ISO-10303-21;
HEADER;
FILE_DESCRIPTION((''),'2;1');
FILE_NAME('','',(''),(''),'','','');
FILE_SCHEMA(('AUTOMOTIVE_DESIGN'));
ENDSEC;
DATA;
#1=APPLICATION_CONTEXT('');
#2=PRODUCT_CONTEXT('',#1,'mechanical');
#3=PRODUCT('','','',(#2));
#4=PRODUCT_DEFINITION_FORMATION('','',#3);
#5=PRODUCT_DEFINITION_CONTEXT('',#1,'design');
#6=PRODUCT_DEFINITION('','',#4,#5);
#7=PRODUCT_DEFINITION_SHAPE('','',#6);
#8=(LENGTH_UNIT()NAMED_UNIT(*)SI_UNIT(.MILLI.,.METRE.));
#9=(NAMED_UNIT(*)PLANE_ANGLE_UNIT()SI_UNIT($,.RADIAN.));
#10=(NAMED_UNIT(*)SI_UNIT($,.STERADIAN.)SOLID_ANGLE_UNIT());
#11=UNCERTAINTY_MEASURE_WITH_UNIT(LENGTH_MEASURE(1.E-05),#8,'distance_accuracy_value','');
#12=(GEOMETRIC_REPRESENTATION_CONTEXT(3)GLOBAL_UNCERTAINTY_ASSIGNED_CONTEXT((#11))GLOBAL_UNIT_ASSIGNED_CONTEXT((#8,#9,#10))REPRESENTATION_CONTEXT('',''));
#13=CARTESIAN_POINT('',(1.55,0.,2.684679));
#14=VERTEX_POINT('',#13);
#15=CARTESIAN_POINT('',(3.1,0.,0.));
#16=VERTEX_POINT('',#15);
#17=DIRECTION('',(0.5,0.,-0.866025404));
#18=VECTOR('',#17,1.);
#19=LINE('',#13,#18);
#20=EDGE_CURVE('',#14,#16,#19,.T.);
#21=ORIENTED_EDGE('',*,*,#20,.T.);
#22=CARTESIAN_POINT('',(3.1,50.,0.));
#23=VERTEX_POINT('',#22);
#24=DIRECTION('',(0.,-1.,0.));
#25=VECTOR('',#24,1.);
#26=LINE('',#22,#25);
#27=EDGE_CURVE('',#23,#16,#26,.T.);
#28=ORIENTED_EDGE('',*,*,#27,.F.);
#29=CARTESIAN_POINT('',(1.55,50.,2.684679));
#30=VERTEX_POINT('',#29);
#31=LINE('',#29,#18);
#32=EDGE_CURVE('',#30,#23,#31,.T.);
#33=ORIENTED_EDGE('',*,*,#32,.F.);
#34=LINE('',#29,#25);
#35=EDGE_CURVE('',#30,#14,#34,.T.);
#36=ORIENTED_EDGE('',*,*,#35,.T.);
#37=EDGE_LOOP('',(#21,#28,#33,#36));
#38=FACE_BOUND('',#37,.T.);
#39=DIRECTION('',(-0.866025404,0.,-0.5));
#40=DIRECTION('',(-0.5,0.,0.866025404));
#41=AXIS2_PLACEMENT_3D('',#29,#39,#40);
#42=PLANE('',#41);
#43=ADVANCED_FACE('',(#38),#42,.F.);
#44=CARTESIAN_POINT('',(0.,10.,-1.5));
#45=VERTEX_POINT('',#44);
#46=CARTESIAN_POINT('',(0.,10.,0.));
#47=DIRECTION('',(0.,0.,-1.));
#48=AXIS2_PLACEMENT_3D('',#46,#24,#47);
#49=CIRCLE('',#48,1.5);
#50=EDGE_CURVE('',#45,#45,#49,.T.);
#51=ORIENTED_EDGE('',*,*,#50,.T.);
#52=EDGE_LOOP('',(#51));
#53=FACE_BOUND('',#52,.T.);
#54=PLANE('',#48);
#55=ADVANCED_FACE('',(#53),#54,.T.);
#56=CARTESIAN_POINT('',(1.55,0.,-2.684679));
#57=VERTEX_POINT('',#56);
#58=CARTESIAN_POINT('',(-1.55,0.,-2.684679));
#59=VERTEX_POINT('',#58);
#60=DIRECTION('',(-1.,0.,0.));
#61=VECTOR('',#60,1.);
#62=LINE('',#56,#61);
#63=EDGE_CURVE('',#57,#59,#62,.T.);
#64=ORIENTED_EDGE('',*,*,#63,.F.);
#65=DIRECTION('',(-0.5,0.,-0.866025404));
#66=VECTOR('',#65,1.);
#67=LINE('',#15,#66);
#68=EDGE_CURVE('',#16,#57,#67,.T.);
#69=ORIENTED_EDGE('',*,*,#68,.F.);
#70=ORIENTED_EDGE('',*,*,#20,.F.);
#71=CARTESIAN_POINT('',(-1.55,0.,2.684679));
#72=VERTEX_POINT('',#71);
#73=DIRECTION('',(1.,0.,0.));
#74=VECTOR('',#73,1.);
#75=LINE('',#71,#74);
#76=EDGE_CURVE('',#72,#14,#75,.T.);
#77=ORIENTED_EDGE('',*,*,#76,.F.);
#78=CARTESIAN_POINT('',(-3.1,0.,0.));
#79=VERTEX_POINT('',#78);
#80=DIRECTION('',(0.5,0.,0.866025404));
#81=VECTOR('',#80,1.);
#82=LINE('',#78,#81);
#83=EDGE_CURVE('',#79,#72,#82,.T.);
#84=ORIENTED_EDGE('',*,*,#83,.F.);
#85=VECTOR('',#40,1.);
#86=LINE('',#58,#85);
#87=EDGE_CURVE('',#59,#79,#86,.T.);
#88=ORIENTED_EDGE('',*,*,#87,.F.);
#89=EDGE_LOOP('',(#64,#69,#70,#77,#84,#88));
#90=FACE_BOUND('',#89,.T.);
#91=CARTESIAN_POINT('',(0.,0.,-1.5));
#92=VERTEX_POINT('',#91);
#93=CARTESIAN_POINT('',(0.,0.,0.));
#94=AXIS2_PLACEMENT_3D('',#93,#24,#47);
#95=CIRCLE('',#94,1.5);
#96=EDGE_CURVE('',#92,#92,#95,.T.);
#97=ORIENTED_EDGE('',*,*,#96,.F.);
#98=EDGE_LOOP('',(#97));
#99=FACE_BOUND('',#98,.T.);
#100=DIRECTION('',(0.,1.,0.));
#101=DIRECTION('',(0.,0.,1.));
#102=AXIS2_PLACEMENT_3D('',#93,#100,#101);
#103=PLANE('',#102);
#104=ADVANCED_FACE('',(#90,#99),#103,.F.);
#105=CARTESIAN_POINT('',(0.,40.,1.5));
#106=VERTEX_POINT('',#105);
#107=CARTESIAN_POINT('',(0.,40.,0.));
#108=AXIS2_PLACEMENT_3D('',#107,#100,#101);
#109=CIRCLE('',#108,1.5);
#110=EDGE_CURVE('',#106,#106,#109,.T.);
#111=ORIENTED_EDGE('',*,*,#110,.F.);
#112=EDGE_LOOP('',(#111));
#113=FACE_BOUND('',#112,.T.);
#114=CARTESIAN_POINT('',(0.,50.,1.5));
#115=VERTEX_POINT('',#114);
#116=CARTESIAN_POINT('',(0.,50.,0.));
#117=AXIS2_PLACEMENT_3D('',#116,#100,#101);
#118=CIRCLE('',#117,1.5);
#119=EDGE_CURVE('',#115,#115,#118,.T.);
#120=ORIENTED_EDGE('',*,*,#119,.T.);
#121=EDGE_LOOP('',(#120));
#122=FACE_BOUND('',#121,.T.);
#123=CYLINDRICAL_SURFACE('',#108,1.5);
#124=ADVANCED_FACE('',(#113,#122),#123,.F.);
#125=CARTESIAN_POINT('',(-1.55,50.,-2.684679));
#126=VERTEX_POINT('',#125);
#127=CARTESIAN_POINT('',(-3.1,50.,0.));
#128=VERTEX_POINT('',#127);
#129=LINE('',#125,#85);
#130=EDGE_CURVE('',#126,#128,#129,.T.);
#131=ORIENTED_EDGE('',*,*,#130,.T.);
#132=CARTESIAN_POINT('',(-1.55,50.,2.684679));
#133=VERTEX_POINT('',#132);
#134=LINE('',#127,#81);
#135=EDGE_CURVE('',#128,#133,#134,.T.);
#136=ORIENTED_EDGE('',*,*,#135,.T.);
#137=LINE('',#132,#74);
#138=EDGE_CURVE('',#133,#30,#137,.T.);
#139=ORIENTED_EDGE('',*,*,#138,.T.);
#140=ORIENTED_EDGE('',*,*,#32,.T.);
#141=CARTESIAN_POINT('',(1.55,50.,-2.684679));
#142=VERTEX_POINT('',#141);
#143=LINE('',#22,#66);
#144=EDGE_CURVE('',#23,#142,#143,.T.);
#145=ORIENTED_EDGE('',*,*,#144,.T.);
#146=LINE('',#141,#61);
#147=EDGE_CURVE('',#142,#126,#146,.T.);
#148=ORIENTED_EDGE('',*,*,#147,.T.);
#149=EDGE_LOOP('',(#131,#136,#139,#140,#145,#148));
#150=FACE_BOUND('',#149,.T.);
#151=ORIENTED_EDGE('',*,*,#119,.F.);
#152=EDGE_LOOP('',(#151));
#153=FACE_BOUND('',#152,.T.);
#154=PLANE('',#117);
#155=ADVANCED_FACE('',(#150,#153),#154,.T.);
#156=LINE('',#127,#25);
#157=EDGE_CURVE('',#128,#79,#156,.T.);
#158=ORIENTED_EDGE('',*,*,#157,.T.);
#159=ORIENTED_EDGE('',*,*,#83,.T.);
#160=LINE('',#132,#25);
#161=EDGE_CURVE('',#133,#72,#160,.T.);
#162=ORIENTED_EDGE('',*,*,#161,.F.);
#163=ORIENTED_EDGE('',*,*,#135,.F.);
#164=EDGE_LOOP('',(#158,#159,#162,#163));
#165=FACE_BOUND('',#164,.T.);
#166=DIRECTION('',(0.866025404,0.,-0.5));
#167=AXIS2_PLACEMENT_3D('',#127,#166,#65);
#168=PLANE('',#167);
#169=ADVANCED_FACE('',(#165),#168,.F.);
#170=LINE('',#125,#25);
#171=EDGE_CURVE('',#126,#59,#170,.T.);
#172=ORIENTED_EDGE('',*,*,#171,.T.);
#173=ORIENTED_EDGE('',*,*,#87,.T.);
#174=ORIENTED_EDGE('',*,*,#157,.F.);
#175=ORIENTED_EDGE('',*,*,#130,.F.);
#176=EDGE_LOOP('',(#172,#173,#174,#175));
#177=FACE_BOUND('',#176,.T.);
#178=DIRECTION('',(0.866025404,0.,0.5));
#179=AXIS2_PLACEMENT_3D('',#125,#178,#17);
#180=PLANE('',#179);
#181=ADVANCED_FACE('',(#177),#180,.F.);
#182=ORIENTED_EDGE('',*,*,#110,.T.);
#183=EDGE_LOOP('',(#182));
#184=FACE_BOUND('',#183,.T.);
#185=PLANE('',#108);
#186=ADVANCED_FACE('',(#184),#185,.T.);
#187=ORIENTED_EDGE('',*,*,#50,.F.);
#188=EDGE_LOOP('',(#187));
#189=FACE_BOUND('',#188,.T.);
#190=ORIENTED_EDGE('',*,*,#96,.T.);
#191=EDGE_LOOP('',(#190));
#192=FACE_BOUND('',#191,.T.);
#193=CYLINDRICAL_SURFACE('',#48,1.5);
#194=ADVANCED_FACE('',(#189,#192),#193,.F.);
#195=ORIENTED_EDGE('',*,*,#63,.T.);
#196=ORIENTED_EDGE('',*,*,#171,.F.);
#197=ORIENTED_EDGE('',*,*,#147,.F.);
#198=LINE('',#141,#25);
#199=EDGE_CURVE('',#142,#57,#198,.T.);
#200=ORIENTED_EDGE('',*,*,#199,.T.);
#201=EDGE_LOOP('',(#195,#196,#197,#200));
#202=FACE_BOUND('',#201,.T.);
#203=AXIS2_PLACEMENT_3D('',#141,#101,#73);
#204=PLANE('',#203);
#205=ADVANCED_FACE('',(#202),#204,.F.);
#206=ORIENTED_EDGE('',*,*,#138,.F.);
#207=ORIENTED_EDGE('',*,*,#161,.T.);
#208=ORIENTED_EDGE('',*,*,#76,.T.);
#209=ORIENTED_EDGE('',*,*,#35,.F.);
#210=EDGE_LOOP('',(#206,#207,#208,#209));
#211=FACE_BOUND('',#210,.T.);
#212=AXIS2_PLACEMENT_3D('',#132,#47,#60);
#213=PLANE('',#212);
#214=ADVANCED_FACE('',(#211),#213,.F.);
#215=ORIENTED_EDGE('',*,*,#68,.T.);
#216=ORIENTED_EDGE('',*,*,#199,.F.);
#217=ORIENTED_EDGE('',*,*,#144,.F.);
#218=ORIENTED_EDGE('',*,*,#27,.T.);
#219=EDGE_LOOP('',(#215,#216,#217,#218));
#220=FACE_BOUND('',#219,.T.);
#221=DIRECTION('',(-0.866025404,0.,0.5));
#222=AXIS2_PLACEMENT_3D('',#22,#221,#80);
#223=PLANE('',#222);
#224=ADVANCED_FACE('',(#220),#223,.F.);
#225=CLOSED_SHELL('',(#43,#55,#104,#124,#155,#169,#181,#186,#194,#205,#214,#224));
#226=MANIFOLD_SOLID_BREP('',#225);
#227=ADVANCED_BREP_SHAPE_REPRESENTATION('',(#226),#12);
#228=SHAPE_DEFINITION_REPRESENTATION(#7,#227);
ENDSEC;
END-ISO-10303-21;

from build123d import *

# Parameters (mm, degrees)
SALIENTE_EXTRUIR1_DEPTH = 50
CROQUIS2_R              = 1.5
CORTAR_EXTRUIR1_DEPTH   = 10
CORTAR_EXTRUIR2_START   = -10
CROQUIS3_R              = 1.5
CORTAR_EXTRUIR2_DEPTH   = 10


with BuildPart() as part:
    # Croquis1 → Saliente-Extruir1 (new body)
    with BuildSketch(Plane(origin=(0, 0, 0), x_dir=(1, 0, 0), z_dir=(0, 1, 0))):
        Polygon((3.1, 0), (1.55, 2.684678752), (-1.55, 2.684678752), (-3.1, 0), (-1.55, -2.684678752), (1.55, -2.684678752), align=None)
    extrude(amount=SALIENTE_EXTRUIR1_DEPTH)

    # Croquis2 → Cortar-Extruir1 (cut)
    with BuildSketch(Plane(origin=(0, 50, 0), x_dir=(1, 0, 0), z_dir=(0, 1, 0))):
        with Locations(Location((0, 0, 0), (0, 0, 270))):
            Circle(CROQUIS2_R)
    extrude(amount=-CORTAR_EXTRUIR1_DEPTH, mode=Mode.SUBTRACT)

    # Croquis3 → Cortar-Extruir2 (cut)
    with BuildSketch(Plane.XZ.offset(CORTAR_EXTRUIR2_START)):
        with Locations(Location((0, 0, 0), (0, 0, 90))):
            Circle(CROQUIS3_R)
    extrude(amount=CORTAR_EXTRUIR2_DEPTH, mode=Mode.SUBTRACT)


solid = part.part
